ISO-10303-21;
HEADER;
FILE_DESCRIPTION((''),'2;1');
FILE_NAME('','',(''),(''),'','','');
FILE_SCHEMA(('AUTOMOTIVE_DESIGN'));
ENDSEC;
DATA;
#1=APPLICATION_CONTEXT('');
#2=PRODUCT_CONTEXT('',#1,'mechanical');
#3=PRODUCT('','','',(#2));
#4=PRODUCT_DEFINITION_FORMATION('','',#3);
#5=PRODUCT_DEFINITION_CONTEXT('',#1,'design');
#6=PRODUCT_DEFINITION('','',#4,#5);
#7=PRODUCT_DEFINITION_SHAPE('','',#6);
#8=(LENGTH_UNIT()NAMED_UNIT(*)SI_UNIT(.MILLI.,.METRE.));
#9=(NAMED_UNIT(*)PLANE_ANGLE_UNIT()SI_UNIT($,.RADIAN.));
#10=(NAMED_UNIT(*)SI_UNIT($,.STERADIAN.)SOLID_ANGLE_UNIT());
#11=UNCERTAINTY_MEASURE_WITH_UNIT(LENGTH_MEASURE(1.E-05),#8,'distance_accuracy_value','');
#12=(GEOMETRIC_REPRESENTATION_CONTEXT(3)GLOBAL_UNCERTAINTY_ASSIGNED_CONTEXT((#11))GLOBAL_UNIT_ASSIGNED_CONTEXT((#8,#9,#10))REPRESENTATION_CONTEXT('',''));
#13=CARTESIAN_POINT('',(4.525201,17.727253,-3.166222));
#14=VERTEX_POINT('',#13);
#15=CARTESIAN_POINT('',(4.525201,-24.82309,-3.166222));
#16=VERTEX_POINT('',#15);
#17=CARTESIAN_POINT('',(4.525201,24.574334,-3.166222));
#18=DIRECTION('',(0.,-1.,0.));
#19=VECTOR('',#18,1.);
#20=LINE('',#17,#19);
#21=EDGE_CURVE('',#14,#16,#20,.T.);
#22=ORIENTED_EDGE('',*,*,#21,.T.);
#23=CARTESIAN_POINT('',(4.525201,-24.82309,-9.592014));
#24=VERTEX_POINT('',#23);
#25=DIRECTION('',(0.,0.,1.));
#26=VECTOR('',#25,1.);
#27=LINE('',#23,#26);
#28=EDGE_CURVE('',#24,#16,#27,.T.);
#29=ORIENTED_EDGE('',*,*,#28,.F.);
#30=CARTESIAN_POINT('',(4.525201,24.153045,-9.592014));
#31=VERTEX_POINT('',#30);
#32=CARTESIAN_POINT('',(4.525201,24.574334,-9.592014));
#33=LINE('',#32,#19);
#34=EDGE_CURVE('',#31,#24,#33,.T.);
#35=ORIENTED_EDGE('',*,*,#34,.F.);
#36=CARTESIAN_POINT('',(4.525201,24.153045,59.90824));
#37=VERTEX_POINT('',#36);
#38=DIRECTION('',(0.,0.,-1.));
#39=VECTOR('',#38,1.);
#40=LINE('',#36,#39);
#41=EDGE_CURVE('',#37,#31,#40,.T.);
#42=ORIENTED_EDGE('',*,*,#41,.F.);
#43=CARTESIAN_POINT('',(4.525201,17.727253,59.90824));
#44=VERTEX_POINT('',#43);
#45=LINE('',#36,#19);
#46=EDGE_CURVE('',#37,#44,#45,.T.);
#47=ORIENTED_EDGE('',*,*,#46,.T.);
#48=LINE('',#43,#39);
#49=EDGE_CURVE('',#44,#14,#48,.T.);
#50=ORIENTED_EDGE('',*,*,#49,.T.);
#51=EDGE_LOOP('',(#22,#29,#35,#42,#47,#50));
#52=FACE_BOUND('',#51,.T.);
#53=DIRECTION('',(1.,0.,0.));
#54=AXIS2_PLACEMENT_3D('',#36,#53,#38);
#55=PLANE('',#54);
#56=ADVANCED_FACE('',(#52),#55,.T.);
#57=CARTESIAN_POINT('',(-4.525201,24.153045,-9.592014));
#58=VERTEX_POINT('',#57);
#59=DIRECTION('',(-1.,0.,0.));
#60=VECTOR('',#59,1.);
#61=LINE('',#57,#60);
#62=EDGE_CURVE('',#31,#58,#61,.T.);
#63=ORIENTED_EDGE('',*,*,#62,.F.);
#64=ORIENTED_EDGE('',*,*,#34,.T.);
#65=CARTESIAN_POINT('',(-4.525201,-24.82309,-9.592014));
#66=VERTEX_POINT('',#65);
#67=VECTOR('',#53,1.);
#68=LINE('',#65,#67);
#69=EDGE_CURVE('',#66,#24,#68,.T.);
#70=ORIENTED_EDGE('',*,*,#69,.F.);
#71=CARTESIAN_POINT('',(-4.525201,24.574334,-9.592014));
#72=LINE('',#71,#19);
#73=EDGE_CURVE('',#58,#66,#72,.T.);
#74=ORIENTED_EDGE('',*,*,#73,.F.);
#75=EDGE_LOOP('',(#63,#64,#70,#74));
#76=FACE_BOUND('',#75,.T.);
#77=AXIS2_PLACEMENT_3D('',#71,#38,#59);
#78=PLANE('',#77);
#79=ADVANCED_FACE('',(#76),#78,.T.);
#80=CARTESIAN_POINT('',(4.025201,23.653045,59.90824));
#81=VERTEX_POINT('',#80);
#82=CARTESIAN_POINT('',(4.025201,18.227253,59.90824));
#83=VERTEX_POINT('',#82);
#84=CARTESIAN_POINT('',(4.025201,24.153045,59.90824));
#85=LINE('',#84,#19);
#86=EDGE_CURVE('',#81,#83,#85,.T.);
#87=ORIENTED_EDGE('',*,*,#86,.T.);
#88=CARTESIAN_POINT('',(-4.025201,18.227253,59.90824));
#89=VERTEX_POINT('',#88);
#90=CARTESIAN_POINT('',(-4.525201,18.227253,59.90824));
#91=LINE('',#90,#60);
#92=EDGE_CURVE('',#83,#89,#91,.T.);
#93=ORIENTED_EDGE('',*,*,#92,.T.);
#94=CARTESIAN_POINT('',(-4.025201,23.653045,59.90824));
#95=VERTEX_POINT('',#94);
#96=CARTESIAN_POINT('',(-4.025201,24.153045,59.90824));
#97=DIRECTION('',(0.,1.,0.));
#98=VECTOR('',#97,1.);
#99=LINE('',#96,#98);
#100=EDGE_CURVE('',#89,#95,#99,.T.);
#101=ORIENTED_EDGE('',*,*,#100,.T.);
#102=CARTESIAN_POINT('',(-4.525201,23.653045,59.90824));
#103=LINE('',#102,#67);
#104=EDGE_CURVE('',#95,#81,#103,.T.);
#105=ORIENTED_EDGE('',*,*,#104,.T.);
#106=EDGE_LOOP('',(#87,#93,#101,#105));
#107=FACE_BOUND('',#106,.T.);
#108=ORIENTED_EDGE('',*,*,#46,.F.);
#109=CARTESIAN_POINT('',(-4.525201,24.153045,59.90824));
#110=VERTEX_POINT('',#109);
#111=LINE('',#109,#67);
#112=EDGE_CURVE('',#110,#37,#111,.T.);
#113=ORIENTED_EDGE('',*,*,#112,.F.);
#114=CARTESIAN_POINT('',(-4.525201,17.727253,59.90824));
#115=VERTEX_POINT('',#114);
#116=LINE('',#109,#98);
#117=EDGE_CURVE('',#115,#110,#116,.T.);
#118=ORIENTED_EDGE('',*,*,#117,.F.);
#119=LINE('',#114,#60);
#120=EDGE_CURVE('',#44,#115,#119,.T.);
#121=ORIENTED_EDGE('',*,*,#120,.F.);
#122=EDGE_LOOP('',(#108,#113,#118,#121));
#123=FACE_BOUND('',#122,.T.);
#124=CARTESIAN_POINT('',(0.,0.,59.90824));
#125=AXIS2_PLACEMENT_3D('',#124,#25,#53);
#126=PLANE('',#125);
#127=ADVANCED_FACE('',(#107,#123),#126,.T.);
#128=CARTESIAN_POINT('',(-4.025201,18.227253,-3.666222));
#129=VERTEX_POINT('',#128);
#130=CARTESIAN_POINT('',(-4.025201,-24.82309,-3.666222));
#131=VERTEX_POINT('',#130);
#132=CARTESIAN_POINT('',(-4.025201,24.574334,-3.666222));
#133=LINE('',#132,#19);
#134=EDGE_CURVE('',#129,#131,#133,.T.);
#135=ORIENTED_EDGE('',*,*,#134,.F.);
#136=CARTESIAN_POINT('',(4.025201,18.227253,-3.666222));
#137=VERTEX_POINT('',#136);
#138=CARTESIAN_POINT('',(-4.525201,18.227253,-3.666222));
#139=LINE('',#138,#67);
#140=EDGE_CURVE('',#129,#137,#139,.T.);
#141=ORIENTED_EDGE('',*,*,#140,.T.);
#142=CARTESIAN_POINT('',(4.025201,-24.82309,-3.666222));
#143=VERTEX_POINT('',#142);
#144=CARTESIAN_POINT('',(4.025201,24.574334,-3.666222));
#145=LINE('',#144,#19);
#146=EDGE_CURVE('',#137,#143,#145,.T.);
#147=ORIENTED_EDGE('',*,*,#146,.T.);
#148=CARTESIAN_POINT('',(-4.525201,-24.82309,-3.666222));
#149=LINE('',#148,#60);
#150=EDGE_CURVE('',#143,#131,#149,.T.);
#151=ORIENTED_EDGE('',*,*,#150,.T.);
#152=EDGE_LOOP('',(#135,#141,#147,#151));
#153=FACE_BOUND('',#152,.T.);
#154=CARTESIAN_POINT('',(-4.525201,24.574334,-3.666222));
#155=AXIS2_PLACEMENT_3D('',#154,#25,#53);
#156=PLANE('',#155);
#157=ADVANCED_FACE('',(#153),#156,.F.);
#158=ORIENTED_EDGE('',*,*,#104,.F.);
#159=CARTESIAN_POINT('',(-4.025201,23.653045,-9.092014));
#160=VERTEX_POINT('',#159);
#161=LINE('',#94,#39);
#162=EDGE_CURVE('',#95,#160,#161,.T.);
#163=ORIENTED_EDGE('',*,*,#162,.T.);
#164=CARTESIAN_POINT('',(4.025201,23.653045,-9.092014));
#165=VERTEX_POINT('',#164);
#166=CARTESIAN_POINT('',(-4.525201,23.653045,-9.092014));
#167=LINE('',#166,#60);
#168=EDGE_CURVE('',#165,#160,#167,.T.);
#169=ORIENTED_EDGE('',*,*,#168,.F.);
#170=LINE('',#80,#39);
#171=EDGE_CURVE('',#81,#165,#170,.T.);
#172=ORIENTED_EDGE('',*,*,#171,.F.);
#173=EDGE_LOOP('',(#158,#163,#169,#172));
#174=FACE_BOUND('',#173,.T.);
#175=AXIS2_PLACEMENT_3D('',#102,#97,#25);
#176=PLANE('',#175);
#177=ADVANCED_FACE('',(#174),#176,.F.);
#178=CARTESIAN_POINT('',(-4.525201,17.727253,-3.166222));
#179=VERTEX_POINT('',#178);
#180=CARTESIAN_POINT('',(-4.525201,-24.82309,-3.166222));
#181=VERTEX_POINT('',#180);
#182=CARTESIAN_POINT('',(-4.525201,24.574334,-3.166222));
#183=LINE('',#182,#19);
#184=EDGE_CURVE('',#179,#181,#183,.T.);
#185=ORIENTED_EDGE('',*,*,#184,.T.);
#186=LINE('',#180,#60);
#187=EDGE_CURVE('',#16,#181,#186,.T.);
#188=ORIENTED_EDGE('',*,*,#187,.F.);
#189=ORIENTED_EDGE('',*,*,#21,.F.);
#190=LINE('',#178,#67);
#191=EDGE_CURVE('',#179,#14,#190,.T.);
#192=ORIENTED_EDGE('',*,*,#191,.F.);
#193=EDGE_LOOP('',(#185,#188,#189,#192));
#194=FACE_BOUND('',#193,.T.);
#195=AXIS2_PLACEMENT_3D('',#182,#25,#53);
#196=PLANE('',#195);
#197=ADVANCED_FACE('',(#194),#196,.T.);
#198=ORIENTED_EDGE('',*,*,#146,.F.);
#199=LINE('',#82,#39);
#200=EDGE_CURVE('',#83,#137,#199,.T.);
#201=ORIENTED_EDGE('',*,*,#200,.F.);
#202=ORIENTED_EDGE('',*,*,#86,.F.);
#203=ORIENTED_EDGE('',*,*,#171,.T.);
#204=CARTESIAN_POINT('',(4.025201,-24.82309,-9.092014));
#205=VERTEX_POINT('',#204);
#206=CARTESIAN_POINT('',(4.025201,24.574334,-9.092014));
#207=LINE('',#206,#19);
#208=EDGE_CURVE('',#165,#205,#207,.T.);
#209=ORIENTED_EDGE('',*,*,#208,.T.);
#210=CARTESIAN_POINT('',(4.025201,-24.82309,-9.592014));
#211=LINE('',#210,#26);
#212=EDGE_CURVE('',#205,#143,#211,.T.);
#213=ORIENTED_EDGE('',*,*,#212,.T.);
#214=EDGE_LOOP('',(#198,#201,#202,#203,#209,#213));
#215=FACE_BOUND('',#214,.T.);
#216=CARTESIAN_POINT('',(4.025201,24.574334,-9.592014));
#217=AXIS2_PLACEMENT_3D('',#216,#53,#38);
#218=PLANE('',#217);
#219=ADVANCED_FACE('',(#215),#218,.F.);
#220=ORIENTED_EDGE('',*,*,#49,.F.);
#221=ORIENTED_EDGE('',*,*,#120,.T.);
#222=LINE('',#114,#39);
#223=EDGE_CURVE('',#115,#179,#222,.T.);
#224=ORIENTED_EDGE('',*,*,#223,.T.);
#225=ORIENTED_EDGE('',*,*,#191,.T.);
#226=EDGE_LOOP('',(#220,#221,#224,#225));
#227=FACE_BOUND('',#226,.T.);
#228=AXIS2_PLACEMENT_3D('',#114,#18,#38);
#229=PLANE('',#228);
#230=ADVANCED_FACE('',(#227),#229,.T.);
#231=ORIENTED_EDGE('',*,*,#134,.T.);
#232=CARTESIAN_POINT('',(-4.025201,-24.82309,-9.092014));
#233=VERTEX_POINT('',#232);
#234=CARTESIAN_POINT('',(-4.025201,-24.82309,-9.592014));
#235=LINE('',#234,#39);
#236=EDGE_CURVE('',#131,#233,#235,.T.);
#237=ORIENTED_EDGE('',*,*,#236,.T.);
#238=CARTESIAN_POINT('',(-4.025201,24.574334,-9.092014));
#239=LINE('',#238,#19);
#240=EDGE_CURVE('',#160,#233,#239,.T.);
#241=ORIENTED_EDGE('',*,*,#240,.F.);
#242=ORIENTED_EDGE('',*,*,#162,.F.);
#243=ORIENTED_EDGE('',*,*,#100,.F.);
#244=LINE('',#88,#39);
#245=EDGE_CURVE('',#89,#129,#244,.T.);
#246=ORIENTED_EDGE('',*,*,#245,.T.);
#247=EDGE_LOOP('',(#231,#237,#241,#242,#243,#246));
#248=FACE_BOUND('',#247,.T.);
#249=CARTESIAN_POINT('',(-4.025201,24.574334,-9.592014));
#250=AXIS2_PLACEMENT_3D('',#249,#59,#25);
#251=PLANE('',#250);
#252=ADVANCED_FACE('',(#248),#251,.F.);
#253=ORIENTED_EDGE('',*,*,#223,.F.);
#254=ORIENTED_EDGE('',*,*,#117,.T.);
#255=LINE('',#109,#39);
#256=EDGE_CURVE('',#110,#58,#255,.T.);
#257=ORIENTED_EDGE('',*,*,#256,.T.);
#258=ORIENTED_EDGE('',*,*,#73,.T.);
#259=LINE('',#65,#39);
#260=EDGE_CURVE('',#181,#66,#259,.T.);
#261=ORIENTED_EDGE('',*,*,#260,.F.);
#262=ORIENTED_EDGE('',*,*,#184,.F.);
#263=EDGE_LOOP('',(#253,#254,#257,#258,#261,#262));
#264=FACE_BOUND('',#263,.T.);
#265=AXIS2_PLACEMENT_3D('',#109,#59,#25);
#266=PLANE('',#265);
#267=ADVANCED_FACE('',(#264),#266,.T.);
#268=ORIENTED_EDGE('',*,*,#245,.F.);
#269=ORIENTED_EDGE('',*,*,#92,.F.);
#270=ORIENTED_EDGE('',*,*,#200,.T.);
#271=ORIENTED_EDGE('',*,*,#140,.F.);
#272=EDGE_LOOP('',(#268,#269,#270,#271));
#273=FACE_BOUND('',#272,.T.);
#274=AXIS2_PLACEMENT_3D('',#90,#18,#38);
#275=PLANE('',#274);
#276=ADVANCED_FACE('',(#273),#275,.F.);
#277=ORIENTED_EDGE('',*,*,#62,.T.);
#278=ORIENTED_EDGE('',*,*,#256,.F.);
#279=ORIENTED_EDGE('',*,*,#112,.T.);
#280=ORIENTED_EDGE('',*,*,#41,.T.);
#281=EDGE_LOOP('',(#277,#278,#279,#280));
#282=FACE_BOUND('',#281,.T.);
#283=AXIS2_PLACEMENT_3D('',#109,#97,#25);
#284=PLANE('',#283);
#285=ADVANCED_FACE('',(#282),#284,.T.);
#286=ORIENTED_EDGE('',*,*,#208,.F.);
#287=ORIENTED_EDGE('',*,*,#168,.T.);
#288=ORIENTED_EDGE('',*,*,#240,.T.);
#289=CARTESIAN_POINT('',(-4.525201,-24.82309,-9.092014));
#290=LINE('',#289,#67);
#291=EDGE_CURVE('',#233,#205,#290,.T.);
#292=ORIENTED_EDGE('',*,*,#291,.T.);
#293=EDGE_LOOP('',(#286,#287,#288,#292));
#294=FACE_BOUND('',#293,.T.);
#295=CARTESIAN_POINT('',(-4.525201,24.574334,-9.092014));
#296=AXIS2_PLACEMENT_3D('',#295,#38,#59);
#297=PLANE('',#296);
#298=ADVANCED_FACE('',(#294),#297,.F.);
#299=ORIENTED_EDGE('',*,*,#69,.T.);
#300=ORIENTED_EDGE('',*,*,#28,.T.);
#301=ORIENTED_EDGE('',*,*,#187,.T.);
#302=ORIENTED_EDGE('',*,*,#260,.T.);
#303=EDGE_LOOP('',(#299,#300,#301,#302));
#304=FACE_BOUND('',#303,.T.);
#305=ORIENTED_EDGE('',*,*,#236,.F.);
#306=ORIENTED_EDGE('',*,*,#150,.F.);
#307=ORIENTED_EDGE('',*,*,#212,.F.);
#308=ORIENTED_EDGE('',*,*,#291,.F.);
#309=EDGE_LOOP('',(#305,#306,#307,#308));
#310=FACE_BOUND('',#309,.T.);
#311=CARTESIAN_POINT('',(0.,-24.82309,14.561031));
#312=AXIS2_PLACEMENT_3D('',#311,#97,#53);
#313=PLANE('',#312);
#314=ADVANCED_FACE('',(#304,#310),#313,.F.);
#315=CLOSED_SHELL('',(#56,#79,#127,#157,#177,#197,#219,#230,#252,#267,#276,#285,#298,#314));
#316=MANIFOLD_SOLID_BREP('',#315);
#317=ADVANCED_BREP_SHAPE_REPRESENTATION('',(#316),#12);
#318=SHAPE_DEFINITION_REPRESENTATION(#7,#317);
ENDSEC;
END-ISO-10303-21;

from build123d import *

# Parameters (mm, degrees)
SKETCH2_W   = 9.050402016
SKETCH2_H   = 6.425792272
SKETCH2_W_2 = 8.050402016
SKETCH2_H_2 = 5.425792272


with BuildPart() as part:
    # Sweep-Thin1: sweep along a path in Sketch1
    with BuildLine(Plane(origin=(0, 0, 0), x_dir=(0, 0, -1), z_dir=(1, 0, 0))) as sweep_thin1_path:
        Line((-59.908239877, 20.940148661), (6.379118135, 20.940148661))
        Line((6.379118135, 20.940148661), (6.379118135, -24.823090134))
    # Sketch2 → Sweep-Thin1 (sweep)
    with BuildSketch(Plane(origin=(0, 20.940148661, 59.908239877), x_dir=(-1, 0, 0), z_dir=(0, 0, -1))):
        Rectangle(SKETCH2_W, SKETCH2_H)
        Rectangle(SKETCH2_W_2, SKETCH2_H_2, mode=Mode.SUBTRACT)
    sweep(path=sweep_thin1_path.line, transition=Transition.RIGHT)


solid = part.part
